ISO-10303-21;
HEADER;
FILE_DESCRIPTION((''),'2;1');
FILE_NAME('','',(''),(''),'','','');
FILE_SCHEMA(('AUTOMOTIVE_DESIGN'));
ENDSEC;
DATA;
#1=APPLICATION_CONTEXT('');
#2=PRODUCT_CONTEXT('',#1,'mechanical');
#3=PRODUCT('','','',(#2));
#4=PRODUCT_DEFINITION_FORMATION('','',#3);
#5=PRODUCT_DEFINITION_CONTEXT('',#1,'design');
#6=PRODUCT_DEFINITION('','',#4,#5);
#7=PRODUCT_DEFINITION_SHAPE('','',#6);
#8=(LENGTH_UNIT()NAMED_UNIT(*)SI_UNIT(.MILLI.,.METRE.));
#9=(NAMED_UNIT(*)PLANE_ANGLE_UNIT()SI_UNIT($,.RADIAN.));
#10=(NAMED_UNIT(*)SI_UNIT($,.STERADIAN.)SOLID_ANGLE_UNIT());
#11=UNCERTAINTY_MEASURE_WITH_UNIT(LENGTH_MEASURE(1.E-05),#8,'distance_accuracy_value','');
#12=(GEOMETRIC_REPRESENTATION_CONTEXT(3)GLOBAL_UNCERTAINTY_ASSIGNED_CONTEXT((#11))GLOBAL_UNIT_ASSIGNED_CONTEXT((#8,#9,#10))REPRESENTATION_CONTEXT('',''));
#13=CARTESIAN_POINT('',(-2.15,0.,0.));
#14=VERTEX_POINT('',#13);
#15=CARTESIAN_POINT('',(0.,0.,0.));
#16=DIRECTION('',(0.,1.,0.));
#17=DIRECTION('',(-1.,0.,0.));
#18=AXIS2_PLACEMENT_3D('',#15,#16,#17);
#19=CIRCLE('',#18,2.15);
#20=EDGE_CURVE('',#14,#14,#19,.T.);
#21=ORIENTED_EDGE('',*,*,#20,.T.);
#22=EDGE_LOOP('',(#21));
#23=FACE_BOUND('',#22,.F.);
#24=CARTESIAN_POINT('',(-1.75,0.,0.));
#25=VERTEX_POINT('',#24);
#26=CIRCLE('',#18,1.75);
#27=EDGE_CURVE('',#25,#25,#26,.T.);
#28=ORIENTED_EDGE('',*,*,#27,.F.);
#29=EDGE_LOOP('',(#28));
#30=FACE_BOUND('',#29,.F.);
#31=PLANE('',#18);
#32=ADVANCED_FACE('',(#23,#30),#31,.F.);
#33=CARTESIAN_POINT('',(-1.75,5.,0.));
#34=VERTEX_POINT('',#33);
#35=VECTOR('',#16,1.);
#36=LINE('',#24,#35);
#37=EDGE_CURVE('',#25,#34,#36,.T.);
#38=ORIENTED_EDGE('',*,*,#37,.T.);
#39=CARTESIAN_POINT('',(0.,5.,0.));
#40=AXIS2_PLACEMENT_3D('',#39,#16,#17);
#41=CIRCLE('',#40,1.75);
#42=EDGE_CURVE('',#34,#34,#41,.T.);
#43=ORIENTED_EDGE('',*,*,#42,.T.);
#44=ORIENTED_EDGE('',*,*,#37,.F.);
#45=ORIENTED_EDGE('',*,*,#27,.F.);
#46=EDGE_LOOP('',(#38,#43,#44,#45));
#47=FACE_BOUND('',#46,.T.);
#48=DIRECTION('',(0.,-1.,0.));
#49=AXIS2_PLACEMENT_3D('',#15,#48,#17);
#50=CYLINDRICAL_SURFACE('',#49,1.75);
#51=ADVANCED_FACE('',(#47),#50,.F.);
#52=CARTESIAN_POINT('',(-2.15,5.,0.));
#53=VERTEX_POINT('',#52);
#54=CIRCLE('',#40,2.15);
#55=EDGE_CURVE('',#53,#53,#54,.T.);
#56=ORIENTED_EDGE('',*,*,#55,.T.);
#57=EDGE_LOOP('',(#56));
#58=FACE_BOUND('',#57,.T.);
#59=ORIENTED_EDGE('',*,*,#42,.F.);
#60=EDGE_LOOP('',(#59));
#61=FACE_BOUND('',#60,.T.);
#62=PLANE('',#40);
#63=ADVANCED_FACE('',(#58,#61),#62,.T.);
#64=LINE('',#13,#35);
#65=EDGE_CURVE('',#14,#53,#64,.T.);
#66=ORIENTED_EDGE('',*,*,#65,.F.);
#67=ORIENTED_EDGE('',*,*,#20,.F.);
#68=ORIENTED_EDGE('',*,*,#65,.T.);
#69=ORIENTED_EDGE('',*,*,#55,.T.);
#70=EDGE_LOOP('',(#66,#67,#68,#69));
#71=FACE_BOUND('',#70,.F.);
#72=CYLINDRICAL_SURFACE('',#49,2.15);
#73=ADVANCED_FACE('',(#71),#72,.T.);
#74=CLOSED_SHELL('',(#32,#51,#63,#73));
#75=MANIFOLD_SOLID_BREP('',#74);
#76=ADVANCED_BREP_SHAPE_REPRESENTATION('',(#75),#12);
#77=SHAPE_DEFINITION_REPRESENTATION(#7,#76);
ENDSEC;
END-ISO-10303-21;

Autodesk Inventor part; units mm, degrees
ref_plane "YZ Plane" through (0, 0, 0) normal (1, 0, 0) x (0, 1, 0)
ref_plane "XZ Plane" through (0, 0, 0) normal (0, 1, 0) x (-1, 0, 0)
ref_plane "XY Plane" through (0, 0, 0) normal (0, 0, 1) x (1, 0, 0)
sketch "Sketch1" plane through (0, 0, 0) normal (0, 1, 0) x (-1, 0, 0)
  circle A0 centre (0, 0) radius 1.75
  circle A1 centre (0, 0) radius 2.15
  dimension "d0" = 3.5
  dimension "d1" = 4.3
extrude "Extrusion1" add sketch "Sketch1" along normal blind 5
properties part number "5mmSpacer"
